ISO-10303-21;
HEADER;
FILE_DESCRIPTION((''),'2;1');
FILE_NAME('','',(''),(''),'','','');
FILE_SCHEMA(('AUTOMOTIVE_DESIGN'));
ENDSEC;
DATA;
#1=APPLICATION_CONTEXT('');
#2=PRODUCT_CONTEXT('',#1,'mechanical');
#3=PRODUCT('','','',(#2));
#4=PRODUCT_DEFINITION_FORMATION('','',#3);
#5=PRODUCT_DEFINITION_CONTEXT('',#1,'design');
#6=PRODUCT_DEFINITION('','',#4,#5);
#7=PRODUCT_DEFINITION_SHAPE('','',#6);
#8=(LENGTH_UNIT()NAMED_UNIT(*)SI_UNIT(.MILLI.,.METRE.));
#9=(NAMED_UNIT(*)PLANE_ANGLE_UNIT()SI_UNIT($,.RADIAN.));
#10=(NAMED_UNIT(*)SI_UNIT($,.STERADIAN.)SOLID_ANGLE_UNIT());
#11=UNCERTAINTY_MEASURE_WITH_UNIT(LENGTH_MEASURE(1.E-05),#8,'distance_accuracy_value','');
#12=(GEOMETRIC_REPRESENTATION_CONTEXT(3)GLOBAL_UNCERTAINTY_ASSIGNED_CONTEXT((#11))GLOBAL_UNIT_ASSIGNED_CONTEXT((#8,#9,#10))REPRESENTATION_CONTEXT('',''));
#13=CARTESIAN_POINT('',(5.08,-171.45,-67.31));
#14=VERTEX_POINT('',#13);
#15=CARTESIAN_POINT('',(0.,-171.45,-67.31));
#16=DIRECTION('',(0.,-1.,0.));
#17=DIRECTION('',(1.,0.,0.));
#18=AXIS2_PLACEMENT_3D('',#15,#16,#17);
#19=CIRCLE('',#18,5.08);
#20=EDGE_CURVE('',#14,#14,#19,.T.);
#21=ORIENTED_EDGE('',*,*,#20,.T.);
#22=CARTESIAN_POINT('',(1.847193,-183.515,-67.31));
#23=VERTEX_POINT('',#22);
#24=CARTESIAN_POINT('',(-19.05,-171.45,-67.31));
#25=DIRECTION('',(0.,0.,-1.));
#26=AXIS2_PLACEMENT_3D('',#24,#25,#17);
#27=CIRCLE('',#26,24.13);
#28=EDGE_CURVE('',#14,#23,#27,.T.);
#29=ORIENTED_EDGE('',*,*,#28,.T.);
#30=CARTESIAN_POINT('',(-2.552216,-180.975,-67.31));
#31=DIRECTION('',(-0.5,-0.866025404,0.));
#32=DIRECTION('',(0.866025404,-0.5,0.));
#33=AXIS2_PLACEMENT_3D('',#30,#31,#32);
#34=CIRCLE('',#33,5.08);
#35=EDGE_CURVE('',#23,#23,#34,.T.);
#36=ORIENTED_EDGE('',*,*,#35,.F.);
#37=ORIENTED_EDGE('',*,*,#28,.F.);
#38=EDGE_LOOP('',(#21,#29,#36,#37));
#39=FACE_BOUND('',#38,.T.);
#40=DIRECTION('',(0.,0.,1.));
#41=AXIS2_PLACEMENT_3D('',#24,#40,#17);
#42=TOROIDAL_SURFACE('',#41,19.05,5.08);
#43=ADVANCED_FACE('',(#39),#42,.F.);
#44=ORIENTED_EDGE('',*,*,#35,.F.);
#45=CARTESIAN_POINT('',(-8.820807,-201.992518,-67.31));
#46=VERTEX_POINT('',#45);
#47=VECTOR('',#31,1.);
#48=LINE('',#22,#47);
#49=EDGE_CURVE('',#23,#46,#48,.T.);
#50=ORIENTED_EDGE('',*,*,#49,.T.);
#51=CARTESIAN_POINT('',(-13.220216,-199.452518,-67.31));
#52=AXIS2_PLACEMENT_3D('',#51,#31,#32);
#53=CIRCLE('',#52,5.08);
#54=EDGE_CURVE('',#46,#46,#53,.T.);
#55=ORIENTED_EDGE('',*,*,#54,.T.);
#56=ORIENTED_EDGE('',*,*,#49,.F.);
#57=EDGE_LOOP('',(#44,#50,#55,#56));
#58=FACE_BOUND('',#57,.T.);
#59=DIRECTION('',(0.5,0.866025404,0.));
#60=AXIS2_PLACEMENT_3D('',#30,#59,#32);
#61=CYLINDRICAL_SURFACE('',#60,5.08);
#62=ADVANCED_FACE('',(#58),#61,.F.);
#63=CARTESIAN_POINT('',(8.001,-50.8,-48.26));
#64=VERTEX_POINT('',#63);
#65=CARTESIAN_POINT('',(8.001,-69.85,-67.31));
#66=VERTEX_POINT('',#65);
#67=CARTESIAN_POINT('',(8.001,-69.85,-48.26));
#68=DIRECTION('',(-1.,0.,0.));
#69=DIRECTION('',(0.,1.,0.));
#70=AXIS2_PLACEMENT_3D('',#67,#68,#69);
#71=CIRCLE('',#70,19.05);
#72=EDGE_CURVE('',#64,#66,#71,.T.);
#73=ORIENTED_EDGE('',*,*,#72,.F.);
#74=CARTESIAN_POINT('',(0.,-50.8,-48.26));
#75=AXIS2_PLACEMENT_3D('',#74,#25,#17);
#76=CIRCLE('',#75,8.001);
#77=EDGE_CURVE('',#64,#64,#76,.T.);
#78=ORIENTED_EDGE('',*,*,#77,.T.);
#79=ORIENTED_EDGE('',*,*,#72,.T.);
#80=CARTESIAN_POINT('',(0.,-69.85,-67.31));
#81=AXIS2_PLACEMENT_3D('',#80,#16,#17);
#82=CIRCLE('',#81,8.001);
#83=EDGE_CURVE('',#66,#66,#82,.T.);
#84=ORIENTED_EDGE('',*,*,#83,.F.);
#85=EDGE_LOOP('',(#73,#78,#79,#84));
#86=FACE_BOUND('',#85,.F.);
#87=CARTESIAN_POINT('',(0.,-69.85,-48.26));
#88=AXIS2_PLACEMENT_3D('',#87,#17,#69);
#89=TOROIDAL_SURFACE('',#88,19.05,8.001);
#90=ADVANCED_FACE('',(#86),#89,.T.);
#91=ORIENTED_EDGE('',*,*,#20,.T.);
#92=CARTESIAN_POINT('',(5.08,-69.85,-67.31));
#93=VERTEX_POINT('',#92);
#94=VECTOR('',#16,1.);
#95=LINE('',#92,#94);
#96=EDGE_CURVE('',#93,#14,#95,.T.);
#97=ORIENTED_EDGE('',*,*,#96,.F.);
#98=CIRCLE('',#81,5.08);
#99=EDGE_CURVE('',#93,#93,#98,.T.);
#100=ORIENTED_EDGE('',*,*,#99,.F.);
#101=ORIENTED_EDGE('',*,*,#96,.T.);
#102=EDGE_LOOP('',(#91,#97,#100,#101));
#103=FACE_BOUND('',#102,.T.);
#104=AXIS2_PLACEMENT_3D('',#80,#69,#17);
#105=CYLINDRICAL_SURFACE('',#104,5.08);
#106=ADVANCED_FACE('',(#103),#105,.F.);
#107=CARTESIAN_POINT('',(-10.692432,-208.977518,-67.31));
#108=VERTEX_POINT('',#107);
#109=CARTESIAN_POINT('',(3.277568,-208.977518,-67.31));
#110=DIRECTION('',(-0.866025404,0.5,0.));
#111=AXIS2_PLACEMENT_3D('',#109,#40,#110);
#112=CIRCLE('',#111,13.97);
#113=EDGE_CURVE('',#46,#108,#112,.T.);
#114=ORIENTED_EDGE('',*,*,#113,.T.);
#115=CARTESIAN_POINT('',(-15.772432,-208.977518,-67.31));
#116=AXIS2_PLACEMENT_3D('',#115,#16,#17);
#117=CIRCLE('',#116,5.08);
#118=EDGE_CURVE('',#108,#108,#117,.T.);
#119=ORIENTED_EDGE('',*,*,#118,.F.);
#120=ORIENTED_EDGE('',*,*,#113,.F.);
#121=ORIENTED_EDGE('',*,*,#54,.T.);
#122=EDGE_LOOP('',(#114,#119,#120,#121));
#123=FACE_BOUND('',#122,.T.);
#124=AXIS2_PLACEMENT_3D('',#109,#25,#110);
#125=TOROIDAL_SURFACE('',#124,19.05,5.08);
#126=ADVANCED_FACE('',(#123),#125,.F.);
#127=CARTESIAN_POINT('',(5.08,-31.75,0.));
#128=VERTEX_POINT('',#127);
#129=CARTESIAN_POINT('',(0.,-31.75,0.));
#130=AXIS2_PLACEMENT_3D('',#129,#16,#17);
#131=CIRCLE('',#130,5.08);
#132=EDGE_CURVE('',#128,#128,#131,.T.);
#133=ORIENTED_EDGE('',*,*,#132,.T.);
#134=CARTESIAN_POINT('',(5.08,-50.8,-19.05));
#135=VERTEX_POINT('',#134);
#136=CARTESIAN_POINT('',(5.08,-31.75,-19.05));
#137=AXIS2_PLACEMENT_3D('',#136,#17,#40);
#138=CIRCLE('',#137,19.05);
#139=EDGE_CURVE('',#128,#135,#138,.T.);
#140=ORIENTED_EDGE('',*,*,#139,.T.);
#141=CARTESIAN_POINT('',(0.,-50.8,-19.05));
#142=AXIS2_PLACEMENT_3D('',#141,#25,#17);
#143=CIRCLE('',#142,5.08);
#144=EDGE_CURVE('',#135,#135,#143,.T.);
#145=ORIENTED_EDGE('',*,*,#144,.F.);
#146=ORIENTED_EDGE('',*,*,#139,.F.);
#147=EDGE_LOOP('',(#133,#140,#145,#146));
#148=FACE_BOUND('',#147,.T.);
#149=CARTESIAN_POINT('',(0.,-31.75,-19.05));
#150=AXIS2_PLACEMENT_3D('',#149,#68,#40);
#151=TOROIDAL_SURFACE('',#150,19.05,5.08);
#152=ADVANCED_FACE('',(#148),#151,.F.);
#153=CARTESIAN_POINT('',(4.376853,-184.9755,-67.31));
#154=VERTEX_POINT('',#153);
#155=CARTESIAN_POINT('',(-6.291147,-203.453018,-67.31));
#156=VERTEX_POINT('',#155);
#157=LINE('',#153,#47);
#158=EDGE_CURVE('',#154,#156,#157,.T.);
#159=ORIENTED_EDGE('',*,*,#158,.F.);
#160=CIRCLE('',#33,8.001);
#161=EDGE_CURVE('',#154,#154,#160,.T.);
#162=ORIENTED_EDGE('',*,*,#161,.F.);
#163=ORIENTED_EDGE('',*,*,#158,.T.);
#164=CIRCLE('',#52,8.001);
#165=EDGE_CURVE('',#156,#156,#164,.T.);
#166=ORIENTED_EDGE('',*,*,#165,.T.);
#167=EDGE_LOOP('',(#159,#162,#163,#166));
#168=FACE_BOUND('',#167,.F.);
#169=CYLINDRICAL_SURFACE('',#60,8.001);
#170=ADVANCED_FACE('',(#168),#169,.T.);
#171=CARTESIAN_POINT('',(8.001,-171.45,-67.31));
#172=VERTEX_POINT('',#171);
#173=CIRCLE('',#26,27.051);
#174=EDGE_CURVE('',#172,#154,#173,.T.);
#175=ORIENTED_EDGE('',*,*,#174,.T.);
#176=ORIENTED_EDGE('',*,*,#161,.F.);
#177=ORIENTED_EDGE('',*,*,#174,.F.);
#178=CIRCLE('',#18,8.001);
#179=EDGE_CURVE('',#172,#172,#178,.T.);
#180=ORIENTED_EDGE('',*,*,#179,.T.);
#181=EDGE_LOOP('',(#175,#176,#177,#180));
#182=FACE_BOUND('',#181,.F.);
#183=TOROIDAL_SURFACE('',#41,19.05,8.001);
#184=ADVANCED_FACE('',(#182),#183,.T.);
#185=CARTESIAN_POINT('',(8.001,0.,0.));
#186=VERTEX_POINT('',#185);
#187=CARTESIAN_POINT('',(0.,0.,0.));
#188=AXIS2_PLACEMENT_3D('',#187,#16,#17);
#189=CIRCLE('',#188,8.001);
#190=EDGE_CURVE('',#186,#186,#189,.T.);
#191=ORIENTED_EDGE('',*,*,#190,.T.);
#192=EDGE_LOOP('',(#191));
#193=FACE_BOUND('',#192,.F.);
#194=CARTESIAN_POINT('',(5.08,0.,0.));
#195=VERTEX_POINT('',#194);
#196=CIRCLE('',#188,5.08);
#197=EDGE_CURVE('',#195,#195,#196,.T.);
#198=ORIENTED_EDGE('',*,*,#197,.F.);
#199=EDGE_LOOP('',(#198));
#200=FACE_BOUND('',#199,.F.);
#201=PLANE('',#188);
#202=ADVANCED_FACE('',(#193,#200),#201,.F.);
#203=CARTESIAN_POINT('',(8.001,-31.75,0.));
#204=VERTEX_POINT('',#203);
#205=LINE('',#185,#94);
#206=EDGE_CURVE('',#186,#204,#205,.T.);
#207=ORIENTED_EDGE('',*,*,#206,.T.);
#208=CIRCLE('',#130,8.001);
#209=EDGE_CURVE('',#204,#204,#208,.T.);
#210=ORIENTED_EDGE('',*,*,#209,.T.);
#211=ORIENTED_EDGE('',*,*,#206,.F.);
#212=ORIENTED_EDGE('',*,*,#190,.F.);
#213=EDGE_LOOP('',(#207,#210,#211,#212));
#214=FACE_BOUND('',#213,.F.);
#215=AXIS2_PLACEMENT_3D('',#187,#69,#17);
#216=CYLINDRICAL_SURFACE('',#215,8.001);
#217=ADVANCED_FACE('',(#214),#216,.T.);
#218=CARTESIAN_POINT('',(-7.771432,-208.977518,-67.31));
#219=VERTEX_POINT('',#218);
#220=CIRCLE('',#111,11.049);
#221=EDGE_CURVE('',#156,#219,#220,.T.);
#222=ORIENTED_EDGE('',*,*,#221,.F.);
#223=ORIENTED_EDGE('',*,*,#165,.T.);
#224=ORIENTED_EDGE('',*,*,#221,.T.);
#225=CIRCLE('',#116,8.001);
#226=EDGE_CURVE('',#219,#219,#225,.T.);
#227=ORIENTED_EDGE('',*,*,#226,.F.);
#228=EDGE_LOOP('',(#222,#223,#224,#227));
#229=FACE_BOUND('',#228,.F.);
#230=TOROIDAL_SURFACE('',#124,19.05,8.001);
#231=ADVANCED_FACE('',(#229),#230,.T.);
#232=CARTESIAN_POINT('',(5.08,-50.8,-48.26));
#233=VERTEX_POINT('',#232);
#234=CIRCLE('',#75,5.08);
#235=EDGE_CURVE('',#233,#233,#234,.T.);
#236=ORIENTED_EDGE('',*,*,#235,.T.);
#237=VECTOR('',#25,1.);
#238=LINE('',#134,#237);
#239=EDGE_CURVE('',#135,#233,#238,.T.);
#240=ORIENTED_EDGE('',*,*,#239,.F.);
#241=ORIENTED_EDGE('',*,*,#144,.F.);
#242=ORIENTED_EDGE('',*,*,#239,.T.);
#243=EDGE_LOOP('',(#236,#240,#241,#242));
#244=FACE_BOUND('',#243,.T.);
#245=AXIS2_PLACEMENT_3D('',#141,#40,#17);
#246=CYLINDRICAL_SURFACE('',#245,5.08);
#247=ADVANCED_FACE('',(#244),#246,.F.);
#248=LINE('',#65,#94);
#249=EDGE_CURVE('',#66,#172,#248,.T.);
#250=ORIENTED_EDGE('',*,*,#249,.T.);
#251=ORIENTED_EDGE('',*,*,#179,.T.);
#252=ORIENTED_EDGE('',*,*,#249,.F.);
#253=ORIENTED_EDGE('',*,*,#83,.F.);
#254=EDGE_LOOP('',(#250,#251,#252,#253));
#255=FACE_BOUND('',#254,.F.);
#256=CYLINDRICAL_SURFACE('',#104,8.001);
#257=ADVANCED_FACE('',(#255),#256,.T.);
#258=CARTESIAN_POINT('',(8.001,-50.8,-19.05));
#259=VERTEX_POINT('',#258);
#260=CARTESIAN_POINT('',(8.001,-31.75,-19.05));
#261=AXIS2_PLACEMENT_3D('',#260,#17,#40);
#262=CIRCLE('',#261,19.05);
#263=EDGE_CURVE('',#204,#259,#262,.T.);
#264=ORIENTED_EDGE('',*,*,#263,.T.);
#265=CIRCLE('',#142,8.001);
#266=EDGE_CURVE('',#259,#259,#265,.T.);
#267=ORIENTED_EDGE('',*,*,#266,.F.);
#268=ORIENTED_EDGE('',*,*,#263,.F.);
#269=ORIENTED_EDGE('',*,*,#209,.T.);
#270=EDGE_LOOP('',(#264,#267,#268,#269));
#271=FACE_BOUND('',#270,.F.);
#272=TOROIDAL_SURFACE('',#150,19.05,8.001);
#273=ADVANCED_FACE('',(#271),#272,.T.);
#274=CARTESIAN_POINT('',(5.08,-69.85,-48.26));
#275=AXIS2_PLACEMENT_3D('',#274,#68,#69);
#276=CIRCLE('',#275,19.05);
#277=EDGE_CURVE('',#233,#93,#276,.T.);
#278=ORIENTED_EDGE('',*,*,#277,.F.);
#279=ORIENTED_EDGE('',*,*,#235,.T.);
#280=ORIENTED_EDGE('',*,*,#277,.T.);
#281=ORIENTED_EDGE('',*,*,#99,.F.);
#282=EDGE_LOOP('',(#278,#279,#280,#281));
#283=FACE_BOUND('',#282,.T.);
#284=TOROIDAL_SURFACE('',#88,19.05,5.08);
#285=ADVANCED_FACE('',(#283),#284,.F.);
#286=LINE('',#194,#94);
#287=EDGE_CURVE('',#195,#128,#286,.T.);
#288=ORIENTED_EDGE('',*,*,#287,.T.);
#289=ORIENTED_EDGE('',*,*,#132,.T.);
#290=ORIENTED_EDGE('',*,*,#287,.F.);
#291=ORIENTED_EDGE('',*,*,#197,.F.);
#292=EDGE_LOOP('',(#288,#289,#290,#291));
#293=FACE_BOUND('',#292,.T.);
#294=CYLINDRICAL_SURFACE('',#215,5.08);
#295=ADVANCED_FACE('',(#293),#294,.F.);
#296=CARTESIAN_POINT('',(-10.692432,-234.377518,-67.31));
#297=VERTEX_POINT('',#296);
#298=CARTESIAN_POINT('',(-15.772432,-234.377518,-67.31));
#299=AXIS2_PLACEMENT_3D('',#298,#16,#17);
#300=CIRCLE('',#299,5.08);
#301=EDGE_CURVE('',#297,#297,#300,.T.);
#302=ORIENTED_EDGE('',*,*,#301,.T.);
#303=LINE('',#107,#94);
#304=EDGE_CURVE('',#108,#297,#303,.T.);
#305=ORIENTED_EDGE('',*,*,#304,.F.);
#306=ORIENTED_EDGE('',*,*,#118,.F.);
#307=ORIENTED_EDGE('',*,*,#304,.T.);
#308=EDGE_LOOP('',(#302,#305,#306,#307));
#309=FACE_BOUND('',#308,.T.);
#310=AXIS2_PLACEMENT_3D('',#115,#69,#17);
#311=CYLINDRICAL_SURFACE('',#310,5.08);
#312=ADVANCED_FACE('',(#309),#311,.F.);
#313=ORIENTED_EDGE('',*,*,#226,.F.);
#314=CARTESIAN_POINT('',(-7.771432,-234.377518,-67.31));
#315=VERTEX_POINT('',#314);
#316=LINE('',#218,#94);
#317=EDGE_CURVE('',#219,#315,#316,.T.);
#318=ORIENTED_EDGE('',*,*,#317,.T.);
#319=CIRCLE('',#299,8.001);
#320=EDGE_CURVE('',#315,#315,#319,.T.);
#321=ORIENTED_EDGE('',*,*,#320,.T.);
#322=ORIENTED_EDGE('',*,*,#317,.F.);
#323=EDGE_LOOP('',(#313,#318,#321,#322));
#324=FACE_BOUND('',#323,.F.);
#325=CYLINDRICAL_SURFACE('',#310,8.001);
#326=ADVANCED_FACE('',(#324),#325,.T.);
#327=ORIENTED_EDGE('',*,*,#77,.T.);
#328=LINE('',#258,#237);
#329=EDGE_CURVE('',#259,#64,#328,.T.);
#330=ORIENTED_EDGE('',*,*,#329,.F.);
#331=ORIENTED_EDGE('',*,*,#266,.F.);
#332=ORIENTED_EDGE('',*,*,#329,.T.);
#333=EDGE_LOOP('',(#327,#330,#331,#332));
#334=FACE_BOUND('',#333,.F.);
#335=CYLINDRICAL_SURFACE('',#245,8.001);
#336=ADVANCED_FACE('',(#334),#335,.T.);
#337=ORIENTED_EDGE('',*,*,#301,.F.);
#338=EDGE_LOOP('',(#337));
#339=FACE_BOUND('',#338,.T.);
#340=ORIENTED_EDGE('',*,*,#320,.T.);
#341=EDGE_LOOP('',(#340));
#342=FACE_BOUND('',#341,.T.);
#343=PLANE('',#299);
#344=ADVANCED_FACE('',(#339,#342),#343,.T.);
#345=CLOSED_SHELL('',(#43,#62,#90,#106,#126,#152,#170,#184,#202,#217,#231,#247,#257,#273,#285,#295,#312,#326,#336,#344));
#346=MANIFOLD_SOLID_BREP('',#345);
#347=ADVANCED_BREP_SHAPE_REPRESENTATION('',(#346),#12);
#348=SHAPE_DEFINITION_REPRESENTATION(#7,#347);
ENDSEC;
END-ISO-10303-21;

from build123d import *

# Parameters (mm, degrees)
F0_R      = 8.001
F0_R_2    = 5.08
F1_DEPTH  = 31.75
F2_R      = 8.001
F2_R_2    = 5.08
F3_ANGLE  = 90
F4_R      = 8.001
F4_R_2    = 5.08
F5_DEPTH  = 29.21
F6_R      = 8.001
F6_R_2    = 5.08
F7_ANGLE  = 90
F8_R      = 8.001
F8_R_2    = 5.08
F9_DEPTH  = 101.6
F10_R     = 8.001
F10_R_2   = 5.08
F11_ANGLE = 30
F12_R     = 8.001
F12_R_2   = 5.08
F13_DEPTH = 21.336
F14_R     = 8.001
F14_R_2   = 5.08
F15_ANGLE = 30
F16_R     = 8.001
F16_R_2   = 5.08
F17_DEPTH = 25.4


with BuildPart() as f1:
    # F0 (on Front) → F1 (new body)
    with BuildSketch(Plane.XZ):
        Circle(F0_R)
        Circle(F0_R_2, mode=Mode.SUBTRACT)
    extrude(amount=F1_DEPTH)

    # F2 (on face) → F3 (revolve)
    with BuildSketch(Plane.XZ.offset(31.75)):
        Circle(F2_R)
        Circle(F2_R_2, mode=Mode.SUBTRACT)
    revolve(axis=Axis((-0.8979975246, -31.75, -19.05), (1, 0, 0)), revolution_arc=F3_ANGLE)

    # F4 (on face) → F5 (join)
    with BuildSketch(Plane(origin=(0, 0, -19.05), x_dir=(1, 0, 0), z_dir=(0, 0, -1))):
        with Locations((0, 50.8)):
            Circle(F4_R)
        with Locations((0, 50.8)):
            Circle(F4_R_2, mode=Mode.SUBTRACT)
    extrude(amount=F5_DEPTH)

    # F6 (on face) → F7 (revolve)
    with BuildSketch(Plane(origin=(0, 0, -48.26), x_dir=(1, 0, 0), z_dir=(0, 0, -1))):
        with Locations((0, 50.8)):
            Circle(F6_R)
        with Locations((0, 50.8)):
            Circle(F6_R_2, mode=Mode.SUBTRACT)
    revolve(axis=Axis((-4.4729349762, -69.85, -48.26), (-1, 0, 0)), revolution_arc=F7_ANGLE)

    # F8 (on face) → F9 (join)
    with BuildSketch(Plane.XZ.offset(69.85)):
        with Locations((0, -67.31)):
            Circle(F8_R)
        with Locations((0, -67.31)):
            Circle(F8_R_2, mode=Mode.SUBTRACT)
    extrude(amount=F9_DEPTH)

    # F10 (on face) → F11 (revolve)
    with BuildSketch(Plane.XZ.offset(171.45)):
        with Locations((0, -67.31)):
            Circle(F10_R)
        with Locations((0, -67.31)):
            Circle(F10_R_2, mode=Mode.SUBTRACT)
    revolve(axis=Axis((-19.05, -171.45, -65.4150364393), (0, 0, -1)), revolution_arc=F11_ANGLE)

    # F12 (on face) → F13 (join)
    with BuildSketch(Plane(origin=(-79.0025277394, -136.836391971, 0), x_dir=(0.8660254038, -0.5, 0), z_dir=(-0.5, -0.8660254038, 0))):
        with Locations((88.2772160579, -67.31)):
            Circle(F12_R)
        with Locations((88.2772160579, -67.31)):
            Circle(F12_R_2, mode=Mode.SUBTRACT)
    extrude(amount=F13_DEPTH)

    # F14 (on face) → F15 (revolve)
    with BuildSketch(Plane(origin=(-89.6705277394, -155.3139099862, 0), x_dir=(0.8660254038, -0.5, 0), z_dir=(-0.5, -0.8660254038, 0))):
        with Locations((88.2772160579, -67.31)):
            Circle(F14_R)
        with Locations((88.2772160579, -67.31)):
            Circle(F14_R_2, mode=Mode.SUBTRACT)
    revolve(axis=Axis((3.2775678842, -208.9775180151, -65.7491713619), (0, 0, 1)), revolution_arc=F15_ANGLE)

    # F16 (on face) → F17 (join)
    with BuildSketch(Plane.XZ.offset(208.9775180151)):
        with Locations((-15.7724321158, -67.31)):
            Circle(F16_R)
        with Locations((-15.7724321158, -67.31)):
            Circle(F16_R_2, mode=Mode.SUBTRACT)
    extrude(amount=F17_DEPTH)


solid = f1.part
